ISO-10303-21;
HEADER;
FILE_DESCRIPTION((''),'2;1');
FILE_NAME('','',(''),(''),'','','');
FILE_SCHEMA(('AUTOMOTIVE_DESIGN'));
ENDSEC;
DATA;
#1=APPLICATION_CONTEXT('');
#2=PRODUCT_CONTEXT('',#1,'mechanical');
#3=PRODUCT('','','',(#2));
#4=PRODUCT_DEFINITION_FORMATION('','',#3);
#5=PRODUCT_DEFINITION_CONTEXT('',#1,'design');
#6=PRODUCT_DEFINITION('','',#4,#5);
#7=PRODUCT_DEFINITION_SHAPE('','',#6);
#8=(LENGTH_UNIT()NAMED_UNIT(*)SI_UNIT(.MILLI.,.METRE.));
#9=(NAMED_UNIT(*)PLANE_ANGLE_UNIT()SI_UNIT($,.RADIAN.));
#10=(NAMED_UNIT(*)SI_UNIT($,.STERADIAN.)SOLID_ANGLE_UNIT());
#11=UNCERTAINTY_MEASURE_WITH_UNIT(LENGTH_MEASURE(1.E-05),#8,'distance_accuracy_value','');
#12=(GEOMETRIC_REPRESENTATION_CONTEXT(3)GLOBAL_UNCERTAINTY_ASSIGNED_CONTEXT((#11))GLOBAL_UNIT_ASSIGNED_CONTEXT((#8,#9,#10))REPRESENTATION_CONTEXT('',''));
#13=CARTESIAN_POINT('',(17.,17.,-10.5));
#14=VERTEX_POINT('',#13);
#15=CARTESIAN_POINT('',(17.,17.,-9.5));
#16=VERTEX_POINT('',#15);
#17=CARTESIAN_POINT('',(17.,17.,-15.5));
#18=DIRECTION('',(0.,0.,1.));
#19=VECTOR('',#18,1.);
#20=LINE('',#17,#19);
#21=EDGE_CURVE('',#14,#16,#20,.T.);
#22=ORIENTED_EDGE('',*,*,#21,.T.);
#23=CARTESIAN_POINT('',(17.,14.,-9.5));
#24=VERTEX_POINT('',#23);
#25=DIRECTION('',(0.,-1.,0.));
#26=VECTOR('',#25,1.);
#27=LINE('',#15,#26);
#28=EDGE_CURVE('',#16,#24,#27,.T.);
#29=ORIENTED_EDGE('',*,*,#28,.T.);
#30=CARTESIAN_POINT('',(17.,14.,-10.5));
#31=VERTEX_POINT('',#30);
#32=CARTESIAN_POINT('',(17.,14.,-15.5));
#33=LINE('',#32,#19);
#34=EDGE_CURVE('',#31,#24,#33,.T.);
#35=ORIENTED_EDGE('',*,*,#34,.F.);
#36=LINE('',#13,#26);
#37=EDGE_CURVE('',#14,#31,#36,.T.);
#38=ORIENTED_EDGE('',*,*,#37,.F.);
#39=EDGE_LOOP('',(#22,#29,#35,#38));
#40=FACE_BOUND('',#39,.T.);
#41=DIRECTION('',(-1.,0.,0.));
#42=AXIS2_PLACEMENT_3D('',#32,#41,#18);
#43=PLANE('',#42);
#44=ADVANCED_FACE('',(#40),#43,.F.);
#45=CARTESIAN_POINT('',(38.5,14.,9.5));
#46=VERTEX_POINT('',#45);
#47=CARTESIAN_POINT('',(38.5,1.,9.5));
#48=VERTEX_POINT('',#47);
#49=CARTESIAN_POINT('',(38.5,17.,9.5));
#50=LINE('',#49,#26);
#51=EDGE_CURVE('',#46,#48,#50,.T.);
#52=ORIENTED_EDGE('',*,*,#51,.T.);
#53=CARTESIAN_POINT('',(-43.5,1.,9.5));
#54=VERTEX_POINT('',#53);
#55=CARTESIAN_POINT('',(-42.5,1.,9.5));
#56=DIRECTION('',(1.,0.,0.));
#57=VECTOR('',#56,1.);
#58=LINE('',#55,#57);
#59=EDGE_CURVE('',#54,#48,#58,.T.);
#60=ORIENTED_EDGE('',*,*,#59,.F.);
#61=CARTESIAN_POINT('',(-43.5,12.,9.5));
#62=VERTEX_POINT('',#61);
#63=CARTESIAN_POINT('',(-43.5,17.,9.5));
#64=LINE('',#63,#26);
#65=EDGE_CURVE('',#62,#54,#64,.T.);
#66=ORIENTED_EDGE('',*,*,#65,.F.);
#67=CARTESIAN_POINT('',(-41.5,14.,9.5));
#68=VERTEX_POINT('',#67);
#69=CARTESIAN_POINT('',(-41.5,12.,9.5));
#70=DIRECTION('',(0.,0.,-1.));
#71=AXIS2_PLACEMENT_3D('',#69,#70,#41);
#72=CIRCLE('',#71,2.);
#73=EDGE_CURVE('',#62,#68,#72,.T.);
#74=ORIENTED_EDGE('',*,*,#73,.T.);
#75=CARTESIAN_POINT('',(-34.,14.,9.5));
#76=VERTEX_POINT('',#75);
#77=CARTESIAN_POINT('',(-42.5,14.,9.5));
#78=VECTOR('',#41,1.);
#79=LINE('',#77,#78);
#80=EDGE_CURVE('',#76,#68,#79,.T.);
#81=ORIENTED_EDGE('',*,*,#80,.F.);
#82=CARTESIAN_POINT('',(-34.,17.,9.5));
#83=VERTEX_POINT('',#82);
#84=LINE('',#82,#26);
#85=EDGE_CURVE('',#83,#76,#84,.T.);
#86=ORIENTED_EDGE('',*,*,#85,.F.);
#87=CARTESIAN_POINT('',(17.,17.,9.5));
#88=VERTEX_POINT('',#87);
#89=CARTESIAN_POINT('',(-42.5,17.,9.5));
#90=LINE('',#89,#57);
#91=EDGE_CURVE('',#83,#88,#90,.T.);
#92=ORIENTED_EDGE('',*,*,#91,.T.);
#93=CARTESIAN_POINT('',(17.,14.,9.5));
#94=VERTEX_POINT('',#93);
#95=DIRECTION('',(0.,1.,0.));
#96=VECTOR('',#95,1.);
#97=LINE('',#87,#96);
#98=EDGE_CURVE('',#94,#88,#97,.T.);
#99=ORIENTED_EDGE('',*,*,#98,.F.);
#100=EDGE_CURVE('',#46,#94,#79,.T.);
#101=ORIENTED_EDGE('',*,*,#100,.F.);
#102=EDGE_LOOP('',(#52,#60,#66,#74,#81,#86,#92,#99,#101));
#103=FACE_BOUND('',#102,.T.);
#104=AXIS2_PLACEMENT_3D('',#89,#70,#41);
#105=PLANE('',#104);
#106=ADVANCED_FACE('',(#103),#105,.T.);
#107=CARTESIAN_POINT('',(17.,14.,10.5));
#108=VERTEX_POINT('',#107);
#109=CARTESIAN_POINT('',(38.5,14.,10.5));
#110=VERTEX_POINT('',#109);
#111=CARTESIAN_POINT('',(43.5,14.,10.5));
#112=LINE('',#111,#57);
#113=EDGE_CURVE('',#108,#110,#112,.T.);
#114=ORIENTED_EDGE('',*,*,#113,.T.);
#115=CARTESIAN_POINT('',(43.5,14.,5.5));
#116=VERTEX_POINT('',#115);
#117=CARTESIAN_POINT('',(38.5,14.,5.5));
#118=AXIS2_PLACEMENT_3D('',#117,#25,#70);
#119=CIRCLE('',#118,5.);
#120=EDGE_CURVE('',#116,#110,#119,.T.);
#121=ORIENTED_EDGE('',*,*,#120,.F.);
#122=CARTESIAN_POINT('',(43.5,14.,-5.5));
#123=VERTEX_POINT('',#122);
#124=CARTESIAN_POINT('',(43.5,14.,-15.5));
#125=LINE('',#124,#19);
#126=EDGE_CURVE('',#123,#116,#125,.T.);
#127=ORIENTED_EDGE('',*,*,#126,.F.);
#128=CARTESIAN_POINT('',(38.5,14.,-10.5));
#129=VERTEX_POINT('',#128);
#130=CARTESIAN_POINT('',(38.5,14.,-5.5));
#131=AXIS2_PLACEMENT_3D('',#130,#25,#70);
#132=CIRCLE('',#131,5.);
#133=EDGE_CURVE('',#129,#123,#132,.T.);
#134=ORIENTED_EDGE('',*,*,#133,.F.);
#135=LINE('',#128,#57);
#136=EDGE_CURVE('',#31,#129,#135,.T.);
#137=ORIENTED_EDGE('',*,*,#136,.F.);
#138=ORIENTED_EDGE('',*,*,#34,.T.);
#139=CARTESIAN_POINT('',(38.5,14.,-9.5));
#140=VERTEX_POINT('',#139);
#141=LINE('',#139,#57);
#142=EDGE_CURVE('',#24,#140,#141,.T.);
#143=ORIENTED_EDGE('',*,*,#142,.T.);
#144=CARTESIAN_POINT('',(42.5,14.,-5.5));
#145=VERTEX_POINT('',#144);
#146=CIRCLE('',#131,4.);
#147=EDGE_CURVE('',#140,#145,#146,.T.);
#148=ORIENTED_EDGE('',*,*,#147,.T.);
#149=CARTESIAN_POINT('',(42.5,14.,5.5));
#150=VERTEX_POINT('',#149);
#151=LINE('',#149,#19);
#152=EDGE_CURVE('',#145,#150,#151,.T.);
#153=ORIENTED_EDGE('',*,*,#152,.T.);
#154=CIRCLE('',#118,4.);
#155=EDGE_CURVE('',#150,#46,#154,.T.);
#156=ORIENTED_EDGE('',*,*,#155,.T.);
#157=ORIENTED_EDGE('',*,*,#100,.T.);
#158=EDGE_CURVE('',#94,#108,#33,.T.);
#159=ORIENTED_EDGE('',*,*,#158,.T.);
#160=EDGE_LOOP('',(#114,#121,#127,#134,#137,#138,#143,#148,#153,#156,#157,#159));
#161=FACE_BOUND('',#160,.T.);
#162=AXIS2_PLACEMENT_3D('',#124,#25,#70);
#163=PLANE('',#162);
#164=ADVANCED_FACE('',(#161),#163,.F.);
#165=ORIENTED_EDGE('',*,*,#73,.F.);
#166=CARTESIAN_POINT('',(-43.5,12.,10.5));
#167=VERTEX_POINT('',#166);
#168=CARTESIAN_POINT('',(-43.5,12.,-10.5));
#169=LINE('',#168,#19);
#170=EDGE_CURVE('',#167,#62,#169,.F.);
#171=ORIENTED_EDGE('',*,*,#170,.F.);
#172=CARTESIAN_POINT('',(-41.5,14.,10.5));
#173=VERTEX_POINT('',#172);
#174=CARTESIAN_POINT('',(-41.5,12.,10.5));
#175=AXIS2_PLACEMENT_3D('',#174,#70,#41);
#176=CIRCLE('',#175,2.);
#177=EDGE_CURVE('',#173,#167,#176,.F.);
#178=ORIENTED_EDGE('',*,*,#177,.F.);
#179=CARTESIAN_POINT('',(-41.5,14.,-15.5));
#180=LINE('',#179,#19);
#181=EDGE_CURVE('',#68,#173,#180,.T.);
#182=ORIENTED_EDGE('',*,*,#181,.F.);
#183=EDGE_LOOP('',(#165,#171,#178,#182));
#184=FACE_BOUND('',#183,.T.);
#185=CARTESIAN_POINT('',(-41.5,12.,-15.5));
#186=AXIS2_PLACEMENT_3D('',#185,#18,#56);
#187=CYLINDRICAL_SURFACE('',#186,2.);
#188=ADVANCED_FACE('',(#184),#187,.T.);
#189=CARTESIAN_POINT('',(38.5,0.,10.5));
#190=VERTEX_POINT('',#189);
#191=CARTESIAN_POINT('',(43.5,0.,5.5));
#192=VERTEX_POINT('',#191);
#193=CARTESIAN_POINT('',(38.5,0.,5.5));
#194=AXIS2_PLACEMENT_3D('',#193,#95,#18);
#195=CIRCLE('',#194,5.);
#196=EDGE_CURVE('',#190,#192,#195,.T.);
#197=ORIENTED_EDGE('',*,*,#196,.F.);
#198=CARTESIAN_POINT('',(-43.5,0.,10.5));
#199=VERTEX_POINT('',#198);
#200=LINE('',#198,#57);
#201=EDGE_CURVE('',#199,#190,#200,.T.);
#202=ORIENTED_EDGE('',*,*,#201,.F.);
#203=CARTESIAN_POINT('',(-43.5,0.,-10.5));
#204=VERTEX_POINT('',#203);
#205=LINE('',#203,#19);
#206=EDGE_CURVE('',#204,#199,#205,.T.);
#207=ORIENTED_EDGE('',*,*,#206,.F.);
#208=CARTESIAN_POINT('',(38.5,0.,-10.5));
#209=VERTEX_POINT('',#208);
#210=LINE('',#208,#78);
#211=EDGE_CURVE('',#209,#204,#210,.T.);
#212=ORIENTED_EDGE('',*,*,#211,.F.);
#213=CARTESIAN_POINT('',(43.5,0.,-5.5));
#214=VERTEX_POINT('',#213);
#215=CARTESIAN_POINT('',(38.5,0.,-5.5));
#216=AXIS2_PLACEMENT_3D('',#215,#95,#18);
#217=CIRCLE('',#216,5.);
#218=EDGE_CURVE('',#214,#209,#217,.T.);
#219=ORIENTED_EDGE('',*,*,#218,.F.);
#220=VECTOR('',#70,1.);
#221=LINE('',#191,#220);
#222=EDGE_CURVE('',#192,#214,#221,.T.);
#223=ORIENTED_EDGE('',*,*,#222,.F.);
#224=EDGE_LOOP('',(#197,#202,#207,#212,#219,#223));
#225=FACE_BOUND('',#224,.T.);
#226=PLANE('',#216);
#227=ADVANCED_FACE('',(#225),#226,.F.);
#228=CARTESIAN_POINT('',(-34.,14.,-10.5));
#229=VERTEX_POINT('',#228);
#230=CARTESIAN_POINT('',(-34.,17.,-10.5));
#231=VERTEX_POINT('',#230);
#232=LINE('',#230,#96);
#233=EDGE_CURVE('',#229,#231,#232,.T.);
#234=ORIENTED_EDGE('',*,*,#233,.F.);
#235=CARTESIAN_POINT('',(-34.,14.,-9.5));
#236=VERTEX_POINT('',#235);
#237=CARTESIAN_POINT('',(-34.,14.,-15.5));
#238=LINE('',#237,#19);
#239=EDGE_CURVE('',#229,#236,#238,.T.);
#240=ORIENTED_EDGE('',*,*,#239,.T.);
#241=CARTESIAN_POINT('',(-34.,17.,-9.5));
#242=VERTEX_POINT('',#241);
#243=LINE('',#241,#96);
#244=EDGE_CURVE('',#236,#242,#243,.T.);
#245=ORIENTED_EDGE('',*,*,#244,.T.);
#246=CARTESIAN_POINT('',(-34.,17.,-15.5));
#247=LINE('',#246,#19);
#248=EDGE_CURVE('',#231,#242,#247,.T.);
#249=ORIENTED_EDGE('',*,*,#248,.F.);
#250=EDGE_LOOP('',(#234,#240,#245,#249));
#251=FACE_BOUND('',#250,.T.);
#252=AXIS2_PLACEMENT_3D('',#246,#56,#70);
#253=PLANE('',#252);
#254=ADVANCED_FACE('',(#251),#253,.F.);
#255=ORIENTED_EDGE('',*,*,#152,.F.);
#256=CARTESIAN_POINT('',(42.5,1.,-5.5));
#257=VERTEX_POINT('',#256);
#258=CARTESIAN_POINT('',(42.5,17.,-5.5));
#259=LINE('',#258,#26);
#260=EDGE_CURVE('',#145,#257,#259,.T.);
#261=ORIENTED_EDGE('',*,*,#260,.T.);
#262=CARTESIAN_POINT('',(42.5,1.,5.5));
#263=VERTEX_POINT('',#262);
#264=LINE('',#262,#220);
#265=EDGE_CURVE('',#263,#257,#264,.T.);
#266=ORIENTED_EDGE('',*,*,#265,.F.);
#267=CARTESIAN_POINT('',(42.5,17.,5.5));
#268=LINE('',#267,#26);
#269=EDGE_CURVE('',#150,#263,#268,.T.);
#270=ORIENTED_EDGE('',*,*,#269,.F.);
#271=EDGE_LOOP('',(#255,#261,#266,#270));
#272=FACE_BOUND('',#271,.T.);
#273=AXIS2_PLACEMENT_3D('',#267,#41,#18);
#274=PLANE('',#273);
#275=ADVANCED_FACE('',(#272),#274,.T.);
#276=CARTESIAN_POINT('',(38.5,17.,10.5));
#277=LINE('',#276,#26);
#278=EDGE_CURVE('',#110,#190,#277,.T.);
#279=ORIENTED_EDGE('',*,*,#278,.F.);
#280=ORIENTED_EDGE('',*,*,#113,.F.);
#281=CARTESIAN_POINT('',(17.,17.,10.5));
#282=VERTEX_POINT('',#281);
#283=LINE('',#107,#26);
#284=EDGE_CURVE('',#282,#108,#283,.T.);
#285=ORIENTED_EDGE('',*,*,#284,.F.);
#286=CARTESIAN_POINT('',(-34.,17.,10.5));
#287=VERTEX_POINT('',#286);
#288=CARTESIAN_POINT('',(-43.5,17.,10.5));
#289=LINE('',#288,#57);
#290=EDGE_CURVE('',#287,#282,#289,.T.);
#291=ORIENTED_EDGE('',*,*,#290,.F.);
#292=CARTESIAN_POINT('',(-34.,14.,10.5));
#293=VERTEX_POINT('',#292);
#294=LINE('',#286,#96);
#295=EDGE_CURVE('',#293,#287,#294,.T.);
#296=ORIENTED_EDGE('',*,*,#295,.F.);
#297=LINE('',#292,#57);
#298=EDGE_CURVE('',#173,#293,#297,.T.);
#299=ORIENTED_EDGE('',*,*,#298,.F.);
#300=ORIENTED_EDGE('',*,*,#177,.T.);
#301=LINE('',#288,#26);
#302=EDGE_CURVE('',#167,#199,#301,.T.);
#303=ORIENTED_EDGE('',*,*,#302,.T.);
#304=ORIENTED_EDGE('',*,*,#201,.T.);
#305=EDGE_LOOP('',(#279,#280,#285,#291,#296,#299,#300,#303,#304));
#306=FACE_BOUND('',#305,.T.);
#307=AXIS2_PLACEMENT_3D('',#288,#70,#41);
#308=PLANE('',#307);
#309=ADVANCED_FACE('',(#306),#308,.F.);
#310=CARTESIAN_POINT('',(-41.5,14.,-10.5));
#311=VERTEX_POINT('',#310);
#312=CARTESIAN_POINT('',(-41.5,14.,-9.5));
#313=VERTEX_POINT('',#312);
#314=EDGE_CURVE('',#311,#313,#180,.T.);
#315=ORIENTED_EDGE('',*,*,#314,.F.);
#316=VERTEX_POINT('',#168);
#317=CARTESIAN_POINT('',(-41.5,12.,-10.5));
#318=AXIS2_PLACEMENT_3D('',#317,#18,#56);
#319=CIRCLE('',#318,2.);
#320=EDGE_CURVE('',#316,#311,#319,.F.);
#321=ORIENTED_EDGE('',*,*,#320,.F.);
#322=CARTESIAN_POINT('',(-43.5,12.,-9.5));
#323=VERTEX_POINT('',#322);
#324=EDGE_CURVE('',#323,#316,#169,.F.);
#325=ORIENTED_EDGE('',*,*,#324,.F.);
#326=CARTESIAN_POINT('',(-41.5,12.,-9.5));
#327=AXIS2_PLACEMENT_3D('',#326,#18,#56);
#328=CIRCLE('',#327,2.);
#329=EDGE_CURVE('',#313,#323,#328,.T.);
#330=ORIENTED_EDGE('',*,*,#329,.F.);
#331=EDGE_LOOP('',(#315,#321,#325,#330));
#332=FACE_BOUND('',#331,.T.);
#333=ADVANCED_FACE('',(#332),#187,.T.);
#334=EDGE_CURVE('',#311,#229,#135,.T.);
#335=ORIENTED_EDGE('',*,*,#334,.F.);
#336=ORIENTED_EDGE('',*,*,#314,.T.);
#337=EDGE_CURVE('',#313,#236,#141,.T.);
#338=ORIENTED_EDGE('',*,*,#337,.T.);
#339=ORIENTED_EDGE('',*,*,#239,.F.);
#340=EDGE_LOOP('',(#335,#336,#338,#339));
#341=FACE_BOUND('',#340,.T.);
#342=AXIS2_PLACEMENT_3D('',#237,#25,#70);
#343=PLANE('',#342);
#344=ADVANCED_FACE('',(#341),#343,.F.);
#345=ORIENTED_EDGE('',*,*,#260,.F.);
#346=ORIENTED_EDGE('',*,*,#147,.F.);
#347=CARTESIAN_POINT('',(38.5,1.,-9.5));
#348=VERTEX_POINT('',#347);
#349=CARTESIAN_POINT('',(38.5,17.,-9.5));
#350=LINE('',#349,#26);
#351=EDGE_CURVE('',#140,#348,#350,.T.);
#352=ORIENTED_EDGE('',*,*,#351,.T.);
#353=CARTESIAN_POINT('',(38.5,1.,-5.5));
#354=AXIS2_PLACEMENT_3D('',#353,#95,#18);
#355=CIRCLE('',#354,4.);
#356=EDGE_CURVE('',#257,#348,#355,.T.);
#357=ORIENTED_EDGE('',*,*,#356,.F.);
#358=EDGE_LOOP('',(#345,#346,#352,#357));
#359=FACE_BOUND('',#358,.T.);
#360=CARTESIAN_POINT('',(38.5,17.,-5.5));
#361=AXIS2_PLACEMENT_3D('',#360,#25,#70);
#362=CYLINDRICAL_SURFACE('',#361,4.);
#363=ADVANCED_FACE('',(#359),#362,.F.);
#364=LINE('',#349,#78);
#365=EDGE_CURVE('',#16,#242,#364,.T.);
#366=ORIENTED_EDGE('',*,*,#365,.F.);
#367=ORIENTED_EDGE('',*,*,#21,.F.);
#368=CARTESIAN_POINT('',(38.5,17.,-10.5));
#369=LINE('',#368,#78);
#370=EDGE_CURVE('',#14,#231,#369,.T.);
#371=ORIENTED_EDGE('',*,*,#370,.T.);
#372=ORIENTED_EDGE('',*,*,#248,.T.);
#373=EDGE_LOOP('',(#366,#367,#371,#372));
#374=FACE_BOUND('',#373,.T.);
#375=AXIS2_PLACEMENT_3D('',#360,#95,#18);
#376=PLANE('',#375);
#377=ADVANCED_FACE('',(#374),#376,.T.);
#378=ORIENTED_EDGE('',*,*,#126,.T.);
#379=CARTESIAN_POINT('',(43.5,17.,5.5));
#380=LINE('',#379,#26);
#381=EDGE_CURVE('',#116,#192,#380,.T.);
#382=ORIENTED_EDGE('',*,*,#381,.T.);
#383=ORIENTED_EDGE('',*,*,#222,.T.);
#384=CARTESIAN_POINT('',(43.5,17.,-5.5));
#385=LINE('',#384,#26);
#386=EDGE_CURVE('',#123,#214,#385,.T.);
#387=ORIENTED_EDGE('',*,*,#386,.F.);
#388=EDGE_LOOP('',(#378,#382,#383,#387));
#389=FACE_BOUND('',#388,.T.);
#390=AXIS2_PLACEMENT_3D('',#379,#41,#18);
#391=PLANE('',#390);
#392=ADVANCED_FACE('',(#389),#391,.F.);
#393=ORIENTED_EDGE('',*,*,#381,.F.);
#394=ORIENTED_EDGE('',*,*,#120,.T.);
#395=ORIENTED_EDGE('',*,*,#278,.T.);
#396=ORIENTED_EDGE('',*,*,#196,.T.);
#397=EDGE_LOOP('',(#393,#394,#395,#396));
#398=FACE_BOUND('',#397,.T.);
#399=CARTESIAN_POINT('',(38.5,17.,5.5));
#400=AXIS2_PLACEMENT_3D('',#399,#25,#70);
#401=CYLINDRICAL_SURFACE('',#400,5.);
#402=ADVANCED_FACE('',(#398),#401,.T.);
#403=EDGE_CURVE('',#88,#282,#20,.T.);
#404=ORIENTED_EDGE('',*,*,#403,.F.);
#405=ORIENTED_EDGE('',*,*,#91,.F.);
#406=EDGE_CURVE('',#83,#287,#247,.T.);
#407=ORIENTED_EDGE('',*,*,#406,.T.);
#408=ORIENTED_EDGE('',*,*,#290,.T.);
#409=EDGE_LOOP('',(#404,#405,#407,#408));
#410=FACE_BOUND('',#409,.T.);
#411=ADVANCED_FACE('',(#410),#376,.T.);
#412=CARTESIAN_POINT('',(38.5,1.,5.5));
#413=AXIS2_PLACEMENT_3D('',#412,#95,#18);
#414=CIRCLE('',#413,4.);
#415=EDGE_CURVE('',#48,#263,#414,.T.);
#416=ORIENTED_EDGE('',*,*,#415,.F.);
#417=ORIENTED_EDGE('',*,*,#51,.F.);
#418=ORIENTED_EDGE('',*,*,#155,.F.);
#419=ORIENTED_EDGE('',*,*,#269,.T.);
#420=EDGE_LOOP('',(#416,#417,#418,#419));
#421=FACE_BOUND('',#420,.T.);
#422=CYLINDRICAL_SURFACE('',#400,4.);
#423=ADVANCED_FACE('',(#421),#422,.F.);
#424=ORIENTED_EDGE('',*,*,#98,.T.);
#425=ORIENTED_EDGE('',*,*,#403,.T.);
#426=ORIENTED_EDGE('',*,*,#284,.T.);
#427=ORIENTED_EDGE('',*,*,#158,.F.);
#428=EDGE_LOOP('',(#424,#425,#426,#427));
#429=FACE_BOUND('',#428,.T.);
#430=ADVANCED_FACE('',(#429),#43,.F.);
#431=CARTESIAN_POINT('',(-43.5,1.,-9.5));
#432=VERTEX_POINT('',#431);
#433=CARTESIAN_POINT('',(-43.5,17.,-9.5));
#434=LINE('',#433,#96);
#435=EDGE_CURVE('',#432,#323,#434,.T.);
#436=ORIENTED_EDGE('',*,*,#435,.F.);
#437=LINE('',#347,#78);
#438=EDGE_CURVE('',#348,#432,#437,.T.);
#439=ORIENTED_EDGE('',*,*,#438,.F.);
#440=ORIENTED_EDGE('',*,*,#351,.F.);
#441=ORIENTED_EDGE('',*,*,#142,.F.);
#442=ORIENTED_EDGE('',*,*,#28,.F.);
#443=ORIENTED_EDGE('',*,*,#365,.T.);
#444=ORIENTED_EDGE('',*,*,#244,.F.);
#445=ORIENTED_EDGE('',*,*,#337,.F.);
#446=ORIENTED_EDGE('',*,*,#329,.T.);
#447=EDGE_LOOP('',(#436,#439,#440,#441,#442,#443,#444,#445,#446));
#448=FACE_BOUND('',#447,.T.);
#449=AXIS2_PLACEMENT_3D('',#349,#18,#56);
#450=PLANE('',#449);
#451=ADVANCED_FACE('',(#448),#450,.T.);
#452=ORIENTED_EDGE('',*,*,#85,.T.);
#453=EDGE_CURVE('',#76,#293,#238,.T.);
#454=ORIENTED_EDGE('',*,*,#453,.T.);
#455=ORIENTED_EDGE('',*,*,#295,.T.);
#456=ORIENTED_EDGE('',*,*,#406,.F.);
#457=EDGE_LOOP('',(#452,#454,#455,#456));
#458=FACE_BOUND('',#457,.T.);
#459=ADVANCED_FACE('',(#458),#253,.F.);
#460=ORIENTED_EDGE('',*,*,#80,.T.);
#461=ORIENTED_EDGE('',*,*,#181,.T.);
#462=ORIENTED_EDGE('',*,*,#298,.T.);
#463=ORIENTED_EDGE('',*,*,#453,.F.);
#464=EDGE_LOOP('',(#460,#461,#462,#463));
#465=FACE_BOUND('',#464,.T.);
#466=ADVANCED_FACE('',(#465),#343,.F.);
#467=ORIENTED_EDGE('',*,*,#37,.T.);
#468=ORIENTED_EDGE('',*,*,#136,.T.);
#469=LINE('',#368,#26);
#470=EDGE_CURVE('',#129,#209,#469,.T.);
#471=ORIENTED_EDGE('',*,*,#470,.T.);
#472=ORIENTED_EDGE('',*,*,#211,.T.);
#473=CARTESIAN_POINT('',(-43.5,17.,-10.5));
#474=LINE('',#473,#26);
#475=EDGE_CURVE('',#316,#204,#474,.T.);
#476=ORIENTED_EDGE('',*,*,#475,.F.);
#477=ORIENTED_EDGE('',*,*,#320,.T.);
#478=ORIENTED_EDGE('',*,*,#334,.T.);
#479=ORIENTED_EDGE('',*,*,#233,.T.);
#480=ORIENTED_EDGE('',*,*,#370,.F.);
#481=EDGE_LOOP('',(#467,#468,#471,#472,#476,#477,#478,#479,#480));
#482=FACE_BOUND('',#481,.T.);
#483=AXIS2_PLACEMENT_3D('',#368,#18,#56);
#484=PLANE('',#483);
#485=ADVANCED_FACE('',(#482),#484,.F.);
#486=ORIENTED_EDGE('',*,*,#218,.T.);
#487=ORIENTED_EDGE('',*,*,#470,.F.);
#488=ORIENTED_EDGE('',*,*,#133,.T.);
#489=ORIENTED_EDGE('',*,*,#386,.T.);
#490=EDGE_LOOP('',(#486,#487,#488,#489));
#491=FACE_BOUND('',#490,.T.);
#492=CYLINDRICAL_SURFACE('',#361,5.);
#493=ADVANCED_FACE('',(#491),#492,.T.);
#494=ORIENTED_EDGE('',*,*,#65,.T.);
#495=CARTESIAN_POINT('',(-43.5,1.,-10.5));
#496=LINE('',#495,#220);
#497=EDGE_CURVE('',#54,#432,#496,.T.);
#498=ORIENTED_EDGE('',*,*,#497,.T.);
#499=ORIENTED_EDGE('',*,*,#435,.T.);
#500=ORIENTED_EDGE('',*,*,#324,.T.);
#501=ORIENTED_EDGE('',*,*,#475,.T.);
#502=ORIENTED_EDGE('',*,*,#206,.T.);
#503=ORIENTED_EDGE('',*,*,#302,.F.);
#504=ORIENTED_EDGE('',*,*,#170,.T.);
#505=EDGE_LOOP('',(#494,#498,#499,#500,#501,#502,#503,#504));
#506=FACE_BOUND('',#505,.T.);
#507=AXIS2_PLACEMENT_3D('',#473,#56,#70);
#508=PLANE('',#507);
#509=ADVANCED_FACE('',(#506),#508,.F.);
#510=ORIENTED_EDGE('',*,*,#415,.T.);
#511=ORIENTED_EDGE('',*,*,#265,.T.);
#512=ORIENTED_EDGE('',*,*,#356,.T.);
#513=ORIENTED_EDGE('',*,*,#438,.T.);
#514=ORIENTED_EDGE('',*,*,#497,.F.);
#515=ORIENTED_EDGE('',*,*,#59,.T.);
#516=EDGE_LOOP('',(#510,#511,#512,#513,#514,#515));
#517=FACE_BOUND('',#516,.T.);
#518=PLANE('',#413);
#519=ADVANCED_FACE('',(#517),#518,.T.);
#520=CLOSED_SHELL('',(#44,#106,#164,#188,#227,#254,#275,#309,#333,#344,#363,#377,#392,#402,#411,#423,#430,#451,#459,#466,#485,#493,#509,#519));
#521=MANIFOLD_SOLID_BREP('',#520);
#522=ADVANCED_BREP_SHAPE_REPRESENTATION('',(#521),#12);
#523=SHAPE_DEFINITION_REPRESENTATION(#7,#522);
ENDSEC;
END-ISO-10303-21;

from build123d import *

# Parameters (mm, degrees)
EXTRUDE_1_DEPTH     = 17
EXTRUDE_2_DEPTH     = 1
SKETCH_3_W          = 13.083033948
SKETCH_3_H          = 19
CUT_EXTRUDE_1_DEPTH = 16
SKETCH_4_W          = 26.5
SKETCH_4_H          = 3
CUT_EXTRUDE_2_DEPTH = 26
SKETCH_5_W          = 9.5
SKETCH_5_H          = 3
CUT_EXTRUDE_3_DEPTH = 26
FILLET_1_R          = 2


with BuildPart() as part:
    # Эскиз1 → Бобышка-Вытянуть1 (new body)
    with BuildSketch(Plane(origin=(0, 0, 0), x_dir=(1, 0, 0), z_dir=(0, 1, 0))):
        with BuildLine():
            Line((38.5, 10.5), (-43.5, 10.5))
            Line((-43.5, 10.5), (-43.5, -10.5))
            Line((-43.5, -10.5), (38.5, -10.5))
            ThreePointArc((38.5, -10.5), (42.035533906, -9.035533906), (43.5, -5.5))
            Line((43.5, -5.5), (43.5, 5.5))
            ThreePointArc((43.5, 5.5), (42.035533906, 9.035533906), (38.5, 10.5))
        make_face()
        with BuildLine():
            Line((-42.5, 9.5), (-42.5, -9.5))
            Line((-42.5, -9.5), (38.5, -9.5))
            ThreePointArc((38.5, -9.5), (41.328427125, -8.328427125), (42.5, -5.5))
            Line((42.5, -5.5), (42.5, 5.5))
            ThreePointArc((42.5, 5.5), (41.328427125, 8.328427125), (38.5, 9.5))
            Line((38.5, 9.5), (-42.5, 9.5))
        make_face(mode=Mode.SUBTRACT)
    extrude(amount=EXTRUDE_1_DEPTH)

    # Эскиз2 → Бобышка-Вытянуть2 (add)
    with BuildSketch(Plane.XZ):
        with BuildLine():
            Line((-43.5, 10.5), (-43.5, -10.5))
            Line((-43.5, -10.5), (38.5, -10.5))
            ThreePointArc((38.5, -10.5), (42.035533906, -9.035533906), (43.5, -5.5))
            Line((43.5, -5.5), (43.5, 5.5))
            ThreePointArc((43.5, 5.5), (42.035533906, 9.035533906), (38.5, 10.5))
            Line((38.5, 10.5), (-43.5, 10.5))
        make_face()
    extrude(amount=-EXTRUDE_2_DEPTH)

    # Эскиз3 → Вырез-Вытянуть1 (cut)
    with BuildSketch(Plane(origin=(0, 17, 0), x_dir=(1, 0, 0), z_dir=(0, 1, 0))):
        with Locations((-45.110446102, 0)):
            Rectangle(SKETCH_3_W, SKETCH_3_H)
    extrude(amount=-CUT_EXTRUDE_1_DEPTH, mode=Mode.SUBTRACT)

    # Эскиз4 → Вырез-Вытянуть2 (cut)
    with BuildSketch(Plane.XY.offset(10.5)):
        with Locations((30.25, 15.5)):
            Rectangle(SKETCH_4_W, SKETCH_4_H)
    extrude(amount=-CUT_EXTRUDE_2_DEPTH, mode=Mode.SUBTRACT)

    # Эскиз5 → Вырез-Вытянуть3 (cut)
    with BuildSketch(Plane.XY.offset(10.5)):
        with Locations((-38.75, 15.5)):
            Rectangle(SKETCH_5_W, SKETCH_5_H)
    extrude(amount=-CUT_EXTRUDE_3_DEPTH, mode=Mode.SUBTRACT)

    # Скругление1
    fillet_1_edges = [part.edges().sort_by_distance(p)[0] for p in [
        (-43.5, 14, -10),
        (-43.5, 14, 10),
    ]]
    fillet(fillet_1_edges, radius=FILLET_1_R)


solid = part.part
